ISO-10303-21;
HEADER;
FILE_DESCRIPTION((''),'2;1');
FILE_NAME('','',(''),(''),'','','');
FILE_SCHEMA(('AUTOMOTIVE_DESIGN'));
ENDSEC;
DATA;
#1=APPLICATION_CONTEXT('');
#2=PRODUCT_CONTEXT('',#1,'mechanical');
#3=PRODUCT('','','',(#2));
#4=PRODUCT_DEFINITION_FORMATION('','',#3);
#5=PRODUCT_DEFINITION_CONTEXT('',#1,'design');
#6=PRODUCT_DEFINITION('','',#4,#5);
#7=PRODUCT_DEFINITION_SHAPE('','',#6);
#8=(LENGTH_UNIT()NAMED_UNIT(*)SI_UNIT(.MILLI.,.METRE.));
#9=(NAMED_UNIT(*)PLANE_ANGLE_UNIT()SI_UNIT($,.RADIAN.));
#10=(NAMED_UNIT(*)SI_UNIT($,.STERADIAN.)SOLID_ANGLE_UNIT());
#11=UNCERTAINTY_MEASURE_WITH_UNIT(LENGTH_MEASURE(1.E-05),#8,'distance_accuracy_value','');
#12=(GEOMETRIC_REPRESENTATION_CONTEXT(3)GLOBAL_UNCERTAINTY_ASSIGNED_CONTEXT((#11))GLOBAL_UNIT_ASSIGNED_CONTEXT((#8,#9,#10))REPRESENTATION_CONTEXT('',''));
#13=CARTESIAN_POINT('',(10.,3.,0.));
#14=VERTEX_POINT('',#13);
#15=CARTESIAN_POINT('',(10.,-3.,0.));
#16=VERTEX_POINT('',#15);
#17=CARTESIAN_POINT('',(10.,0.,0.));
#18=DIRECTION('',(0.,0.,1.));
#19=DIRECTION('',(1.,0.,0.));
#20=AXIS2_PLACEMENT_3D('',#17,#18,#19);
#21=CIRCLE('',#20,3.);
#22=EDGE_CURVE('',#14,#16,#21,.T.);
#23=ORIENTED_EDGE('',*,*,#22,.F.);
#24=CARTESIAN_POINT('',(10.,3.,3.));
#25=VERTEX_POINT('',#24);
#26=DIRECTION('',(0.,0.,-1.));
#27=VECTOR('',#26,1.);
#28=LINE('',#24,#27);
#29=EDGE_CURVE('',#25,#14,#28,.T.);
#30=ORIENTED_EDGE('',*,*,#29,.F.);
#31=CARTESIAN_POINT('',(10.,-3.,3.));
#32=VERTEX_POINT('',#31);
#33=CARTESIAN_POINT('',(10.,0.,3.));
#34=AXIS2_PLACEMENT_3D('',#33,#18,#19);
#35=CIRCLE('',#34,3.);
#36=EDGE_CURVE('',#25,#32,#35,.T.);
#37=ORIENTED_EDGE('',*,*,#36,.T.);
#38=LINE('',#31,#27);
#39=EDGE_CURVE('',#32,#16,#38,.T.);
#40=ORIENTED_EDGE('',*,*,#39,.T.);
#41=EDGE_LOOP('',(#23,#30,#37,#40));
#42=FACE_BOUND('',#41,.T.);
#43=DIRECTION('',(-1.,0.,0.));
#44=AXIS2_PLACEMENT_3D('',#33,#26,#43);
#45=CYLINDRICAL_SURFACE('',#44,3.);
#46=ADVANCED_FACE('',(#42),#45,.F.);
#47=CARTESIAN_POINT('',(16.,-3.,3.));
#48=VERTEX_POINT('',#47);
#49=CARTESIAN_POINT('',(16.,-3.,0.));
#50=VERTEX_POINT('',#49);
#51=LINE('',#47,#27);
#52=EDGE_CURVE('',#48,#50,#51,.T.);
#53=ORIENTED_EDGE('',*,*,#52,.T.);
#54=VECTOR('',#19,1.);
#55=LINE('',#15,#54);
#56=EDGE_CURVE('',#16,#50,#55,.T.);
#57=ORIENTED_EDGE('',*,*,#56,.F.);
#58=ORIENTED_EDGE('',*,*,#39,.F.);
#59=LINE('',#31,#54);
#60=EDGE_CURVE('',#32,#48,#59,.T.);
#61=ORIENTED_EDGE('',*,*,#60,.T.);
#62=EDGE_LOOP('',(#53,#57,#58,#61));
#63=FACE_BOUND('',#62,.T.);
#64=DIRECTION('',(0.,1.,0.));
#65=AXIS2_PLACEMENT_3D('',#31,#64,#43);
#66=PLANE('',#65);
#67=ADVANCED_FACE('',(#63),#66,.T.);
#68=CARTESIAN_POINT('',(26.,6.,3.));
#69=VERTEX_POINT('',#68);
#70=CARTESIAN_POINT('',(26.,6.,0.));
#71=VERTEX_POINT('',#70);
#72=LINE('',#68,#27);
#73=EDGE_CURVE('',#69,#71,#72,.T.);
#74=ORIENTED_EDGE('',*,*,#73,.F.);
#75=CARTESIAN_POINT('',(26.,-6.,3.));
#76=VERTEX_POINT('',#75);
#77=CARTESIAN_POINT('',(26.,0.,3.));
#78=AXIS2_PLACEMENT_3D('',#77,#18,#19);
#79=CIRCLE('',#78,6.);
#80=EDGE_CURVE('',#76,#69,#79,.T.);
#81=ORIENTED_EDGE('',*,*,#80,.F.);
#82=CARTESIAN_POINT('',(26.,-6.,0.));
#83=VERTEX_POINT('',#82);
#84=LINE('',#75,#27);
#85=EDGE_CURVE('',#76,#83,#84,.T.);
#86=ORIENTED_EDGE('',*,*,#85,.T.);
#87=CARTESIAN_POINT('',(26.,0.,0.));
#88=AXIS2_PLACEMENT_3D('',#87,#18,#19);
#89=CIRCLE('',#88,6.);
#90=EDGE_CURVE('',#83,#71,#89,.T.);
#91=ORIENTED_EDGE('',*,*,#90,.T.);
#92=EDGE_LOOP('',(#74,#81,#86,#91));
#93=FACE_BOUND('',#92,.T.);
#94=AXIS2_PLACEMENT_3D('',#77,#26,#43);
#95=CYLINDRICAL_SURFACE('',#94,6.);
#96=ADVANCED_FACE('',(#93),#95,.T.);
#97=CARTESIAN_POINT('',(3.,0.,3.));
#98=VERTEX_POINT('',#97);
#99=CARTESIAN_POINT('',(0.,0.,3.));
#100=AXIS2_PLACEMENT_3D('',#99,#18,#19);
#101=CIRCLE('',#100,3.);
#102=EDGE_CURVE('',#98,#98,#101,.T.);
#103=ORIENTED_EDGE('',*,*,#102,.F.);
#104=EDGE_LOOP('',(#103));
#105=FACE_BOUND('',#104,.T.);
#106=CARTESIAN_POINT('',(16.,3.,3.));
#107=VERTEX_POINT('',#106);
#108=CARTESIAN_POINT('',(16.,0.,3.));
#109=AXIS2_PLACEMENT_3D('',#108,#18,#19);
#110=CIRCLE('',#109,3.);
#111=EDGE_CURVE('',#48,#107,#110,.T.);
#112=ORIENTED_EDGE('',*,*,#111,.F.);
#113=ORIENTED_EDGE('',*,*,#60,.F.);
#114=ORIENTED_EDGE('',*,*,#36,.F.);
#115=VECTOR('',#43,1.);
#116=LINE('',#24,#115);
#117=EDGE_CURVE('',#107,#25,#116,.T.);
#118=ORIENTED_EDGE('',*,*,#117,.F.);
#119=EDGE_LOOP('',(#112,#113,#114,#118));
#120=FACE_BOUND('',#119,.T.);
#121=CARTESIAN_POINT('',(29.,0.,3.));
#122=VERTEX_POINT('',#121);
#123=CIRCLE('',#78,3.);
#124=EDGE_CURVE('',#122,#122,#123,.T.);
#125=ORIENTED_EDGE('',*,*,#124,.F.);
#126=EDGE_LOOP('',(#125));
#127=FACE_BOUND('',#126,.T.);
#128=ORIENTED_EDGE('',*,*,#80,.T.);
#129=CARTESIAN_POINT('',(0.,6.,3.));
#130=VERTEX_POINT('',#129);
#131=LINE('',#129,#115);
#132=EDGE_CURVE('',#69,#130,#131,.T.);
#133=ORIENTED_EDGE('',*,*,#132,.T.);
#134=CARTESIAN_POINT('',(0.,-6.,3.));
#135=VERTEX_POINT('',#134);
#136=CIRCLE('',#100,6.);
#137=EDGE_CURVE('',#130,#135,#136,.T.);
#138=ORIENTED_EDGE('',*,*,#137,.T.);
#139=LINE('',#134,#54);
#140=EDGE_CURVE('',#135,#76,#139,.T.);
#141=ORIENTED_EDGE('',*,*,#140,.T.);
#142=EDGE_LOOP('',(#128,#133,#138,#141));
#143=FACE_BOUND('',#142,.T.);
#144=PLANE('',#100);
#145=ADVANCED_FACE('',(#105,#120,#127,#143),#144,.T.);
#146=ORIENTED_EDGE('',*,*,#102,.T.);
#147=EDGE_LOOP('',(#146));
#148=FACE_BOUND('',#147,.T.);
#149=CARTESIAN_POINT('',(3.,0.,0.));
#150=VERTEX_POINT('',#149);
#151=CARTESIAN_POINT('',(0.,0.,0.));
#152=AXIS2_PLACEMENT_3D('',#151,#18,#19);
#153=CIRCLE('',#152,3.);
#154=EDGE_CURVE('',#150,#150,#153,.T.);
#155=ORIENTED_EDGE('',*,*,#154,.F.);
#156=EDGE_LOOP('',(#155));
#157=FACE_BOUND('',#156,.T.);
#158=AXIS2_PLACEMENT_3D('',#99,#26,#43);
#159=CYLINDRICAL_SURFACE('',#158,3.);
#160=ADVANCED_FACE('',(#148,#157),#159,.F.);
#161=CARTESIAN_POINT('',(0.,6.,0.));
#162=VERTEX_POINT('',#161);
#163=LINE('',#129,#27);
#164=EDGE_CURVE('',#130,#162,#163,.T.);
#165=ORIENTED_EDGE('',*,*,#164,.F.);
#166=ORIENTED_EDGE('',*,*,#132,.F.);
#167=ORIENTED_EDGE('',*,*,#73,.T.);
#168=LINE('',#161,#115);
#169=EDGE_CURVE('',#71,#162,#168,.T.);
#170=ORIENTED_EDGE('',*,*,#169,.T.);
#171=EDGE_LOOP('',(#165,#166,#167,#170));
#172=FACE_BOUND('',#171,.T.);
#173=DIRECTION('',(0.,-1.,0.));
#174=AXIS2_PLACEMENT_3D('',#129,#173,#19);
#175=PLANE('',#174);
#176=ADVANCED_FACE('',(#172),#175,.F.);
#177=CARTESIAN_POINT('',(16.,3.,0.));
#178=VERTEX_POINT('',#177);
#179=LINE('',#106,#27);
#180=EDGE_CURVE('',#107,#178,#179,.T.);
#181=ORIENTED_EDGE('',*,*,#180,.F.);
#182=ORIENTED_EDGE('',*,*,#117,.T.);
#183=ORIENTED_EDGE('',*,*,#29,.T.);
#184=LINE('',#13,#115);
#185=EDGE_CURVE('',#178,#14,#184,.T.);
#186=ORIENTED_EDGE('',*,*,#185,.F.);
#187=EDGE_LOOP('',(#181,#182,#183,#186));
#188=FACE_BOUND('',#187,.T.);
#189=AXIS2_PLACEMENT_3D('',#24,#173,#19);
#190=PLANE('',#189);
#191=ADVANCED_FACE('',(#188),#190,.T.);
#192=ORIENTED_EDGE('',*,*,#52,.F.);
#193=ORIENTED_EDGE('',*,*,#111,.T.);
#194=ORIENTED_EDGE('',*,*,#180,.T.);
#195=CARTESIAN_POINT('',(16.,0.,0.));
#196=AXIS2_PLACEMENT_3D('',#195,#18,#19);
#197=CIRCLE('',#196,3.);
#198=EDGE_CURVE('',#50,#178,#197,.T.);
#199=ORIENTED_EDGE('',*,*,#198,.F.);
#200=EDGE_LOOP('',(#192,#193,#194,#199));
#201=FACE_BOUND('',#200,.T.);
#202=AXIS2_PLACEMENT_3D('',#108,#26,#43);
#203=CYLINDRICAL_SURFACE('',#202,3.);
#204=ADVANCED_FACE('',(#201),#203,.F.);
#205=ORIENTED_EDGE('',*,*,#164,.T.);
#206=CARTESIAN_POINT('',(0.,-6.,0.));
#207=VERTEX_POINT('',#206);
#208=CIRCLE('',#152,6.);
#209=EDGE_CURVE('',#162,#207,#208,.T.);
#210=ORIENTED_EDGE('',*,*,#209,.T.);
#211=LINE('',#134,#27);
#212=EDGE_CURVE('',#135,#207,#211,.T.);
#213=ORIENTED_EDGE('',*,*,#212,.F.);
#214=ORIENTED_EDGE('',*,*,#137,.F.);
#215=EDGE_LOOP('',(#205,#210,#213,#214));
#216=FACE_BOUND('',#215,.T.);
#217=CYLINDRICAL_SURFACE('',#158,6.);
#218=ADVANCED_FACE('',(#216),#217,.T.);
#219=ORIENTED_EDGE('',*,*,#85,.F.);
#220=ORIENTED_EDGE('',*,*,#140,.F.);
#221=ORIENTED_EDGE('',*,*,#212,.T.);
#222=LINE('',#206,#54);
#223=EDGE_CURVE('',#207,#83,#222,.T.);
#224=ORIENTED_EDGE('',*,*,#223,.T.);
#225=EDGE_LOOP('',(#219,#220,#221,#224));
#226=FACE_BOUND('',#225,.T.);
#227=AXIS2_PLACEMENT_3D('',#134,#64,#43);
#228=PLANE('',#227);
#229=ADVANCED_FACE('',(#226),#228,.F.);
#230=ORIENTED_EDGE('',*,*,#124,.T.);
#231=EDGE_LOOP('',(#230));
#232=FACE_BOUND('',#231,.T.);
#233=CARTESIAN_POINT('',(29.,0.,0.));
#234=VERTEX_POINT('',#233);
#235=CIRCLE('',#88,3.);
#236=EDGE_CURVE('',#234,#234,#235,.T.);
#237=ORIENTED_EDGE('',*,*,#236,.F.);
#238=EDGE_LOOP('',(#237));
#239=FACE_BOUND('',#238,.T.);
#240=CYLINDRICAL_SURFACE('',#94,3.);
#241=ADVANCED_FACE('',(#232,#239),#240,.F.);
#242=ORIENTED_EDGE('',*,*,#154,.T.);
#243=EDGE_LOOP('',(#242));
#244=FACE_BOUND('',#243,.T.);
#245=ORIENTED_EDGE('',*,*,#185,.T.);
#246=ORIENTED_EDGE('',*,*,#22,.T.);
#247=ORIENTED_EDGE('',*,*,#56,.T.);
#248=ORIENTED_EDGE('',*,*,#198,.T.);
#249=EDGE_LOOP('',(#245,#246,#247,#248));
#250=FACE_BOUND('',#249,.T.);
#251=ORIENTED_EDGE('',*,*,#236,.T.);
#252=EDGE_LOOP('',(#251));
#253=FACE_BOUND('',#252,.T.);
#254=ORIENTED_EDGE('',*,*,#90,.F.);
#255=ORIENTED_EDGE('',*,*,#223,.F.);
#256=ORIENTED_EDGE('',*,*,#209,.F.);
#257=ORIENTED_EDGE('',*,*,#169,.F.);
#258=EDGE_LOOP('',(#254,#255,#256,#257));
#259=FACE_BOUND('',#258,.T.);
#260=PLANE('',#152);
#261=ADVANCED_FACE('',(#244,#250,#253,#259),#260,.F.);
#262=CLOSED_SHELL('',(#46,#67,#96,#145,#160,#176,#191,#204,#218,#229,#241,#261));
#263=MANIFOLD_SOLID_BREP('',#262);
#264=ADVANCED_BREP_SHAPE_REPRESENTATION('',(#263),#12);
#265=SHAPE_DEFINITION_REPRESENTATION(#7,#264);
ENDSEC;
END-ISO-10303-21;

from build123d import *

# Parameters (mm, degrees)
SKETCH_2_R      = 3
EXTRUDE_1_DEPTH = 3


with BuildPart() as part:
    # 草图2 → 凸台-拉伸1 (new body)
    with BuildSketch(Plane.XY):
        with BuildLine():
            Line((0, 6), (26, 6))
            ThreePointArc((26, 6), (32, 0), (26, -6))
            Line((26, -6), (0, -6))
            ThreePointArc((0, -6), (-6, 0), (0, 6))
        make_face()
        Circle(SKETCH_2_R, mode=Mode.SUBTRACT)
        with Locations((26, 0)):
            Circle(SKETCH_2_R, mode=Mode.SUBTRACT)
        with BuildLine():
            Line((10, 3), (16, 3))
            ThreePointArc((16, 3), (19, 0), (16, -3))
            Line((16, -3), (10, -3))
            ThreePointArc((10, -3), (7, 0), (10, 3))
        make_face(mode=Mode.SUBTRACT)
    extrude(amount=EXTRUDE_1_DEPTH)


solid = part.part
